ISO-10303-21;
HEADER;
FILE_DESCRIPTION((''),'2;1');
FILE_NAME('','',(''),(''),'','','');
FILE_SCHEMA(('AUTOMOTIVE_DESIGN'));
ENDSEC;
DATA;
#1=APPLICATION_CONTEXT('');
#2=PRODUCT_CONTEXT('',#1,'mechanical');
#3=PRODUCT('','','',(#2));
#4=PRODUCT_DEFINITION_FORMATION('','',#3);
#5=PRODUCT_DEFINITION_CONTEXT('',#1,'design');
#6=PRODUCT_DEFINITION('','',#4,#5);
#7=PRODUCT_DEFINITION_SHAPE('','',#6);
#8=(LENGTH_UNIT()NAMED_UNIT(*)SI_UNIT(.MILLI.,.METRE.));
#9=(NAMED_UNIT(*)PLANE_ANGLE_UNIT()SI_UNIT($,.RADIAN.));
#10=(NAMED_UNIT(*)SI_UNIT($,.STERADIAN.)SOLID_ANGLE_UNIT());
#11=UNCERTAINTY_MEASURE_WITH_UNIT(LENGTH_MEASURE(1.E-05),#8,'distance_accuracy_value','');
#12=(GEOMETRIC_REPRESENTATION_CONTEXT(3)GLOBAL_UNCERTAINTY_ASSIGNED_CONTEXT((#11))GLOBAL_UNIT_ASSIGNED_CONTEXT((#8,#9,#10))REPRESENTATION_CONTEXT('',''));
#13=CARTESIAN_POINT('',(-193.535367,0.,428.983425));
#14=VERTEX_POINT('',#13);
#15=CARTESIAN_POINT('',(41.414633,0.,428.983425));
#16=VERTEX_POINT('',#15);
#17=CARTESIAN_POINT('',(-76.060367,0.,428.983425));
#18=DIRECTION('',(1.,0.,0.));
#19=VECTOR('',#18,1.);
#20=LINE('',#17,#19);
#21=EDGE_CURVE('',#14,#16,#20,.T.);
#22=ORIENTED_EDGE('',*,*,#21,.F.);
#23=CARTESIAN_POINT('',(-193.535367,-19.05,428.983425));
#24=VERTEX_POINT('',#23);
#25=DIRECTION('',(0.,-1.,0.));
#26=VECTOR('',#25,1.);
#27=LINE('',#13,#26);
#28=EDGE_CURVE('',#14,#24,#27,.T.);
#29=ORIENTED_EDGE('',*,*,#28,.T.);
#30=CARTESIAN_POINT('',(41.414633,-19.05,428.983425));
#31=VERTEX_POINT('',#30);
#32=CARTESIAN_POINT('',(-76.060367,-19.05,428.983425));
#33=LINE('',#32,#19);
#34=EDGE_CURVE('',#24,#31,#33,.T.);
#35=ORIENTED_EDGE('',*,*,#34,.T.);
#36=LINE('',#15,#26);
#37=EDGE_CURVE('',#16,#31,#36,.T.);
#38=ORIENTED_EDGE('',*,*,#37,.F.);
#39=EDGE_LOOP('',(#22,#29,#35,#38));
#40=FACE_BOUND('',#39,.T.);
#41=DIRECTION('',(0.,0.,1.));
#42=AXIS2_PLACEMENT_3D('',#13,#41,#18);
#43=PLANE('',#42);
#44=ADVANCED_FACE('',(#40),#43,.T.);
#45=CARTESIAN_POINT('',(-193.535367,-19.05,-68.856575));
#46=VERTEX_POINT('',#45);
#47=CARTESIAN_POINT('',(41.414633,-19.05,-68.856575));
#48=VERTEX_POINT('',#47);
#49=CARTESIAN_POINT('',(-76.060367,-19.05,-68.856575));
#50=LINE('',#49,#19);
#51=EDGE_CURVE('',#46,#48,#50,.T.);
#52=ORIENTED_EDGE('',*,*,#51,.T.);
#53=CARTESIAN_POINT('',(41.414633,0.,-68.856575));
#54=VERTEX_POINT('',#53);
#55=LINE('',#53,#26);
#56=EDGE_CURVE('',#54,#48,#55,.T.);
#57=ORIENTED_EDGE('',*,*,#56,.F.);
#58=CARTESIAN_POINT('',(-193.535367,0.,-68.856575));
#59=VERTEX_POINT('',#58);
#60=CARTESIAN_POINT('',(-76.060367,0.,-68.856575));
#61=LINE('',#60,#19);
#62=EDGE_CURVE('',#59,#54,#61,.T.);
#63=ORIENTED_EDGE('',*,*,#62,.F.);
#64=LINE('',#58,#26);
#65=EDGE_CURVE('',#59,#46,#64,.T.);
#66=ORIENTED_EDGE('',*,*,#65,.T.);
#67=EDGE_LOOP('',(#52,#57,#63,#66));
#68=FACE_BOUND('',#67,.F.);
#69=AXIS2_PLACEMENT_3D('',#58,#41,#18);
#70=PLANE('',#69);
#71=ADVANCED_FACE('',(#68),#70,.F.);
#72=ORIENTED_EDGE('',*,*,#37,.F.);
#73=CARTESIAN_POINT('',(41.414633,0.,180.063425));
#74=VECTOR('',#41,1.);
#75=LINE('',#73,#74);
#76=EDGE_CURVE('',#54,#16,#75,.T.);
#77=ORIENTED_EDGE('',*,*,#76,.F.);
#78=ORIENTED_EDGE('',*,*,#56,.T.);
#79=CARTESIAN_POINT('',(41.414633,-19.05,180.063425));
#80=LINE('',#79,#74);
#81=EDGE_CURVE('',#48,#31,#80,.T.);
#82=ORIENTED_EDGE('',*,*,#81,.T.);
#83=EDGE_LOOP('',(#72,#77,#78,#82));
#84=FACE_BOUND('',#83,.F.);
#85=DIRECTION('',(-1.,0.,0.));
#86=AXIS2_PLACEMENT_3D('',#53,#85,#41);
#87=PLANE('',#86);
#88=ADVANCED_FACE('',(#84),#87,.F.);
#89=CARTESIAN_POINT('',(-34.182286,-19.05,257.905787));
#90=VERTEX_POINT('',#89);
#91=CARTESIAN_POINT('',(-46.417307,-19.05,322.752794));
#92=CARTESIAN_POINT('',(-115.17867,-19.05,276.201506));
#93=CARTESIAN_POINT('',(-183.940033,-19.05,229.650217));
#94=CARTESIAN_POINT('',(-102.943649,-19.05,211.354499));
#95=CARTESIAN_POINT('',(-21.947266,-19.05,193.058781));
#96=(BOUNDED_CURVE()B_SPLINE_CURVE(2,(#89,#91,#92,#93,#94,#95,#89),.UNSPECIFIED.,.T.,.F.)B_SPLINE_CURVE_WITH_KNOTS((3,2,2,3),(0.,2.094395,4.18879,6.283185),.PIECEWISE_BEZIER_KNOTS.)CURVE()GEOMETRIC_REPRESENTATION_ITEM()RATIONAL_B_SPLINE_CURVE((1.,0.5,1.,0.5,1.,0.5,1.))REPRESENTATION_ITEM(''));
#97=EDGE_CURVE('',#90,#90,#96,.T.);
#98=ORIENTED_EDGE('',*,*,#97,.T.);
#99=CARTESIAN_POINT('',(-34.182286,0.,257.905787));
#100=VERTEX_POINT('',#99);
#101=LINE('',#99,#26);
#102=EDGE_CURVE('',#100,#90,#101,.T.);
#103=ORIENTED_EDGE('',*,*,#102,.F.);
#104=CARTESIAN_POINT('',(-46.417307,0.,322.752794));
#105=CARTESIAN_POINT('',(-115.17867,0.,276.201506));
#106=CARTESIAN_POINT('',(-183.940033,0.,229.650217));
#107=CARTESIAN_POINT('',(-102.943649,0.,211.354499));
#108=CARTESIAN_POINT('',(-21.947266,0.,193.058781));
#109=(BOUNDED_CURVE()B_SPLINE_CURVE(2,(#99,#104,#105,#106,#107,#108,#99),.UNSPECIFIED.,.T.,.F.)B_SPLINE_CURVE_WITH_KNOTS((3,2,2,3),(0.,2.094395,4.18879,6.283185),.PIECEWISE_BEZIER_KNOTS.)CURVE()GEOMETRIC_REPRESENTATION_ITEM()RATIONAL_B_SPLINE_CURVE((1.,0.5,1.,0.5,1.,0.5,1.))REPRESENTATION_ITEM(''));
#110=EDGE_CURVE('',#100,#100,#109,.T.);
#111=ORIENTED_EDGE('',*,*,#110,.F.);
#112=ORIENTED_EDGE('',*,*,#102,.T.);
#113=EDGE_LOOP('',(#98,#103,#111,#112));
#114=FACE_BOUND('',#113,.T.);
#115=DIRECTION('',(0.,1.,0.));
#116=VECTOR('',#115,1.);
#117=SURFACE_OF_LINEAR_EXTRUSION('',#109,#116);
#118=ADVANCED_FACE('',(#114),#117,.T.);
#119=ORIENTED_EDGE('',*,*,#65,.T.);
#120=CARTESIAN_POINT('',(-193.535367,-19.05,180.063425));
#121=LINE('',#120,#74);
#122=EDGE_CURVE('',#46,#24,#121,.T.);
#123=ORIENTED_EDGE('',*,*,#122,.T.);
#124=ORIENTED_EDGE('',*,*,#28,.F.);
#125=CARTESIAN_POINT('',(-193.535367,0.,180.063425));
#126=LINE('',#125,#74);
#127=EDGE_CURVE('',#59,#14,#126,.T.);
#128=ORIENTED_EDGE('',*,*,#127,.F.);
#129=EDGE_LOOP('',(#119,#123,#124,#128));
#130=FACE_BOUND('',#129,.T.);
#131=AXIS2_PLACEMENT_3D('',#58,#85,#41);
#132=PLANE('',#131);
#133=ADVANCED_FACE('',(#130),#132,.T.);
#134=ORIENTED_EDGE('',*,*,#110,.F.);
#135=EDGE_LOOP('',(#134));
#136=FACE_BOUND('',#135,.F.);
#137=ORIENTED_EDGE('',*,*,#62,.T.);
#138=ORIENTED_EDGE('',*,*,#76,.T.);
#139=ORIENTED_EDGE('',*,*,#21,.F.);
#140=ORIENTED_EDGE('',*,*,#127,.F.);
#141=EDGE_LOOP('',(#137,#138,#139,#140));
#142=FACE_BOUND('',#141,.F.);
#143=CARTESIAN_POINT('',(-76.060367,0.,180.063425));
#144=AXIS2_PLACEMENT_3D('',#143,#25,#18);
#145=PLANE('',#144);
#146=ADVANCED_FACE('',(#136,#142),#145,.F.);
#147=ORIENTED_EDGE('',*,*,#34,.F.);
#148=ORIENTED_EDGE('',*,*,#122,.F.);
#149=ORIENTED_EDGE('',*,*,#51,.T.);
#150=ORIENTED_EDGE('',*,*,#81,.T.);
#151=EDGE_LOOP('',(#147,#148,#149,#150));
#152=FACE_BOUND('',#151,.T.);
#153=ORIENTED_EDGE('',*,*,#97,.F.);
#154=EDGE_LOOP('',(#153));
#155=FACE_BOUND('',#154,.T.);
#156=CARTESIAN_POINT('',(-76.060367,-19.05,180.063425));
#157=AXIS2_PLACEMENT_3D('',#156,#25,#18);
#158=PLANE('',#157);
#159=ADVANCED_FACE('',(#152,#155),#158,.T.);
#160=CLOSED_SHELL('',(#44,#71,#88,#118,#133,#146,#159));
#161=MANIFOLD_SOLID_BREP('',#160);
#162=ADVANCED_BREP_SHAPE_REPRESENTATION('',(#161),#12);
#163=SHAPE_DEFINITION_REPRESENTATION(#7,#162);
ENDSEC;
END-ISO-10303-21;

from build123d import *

# Parameters (mm, degrees)
F1_W     = 234.95
F1_H     = 497.84
F2_DEPTH = 19.05


with BuildPart() as f2:
    # F1 (on face) → F2 (new body)
    with BuildSketch(Plane.XZ):
        with Locations((-76.060367, 180.063425)):
            Rectangle(F1_W, F1_H)
        with BuildLine():
            add(Edge.make_bspline(
                [(-34.182286, 257.905787), (-46.417307, 322.752794), (-115.17867, 276.201506), (-183.940033, 229.650217), (-102.943649, 211.354499), (-21.947266, 193.058781), (-34.182286, 257.905787)],
                knots=[0, 0, 0, 2.094395, 2.094395, 4.18879, 4.18879, 6.283185, 6.283185, 6.283185], degree=2, weights=[1, 0.5, 1, 0.5, 1, 0.5, 1]))
        make_face(mode=Mode.SUBTRACT)
    extrude(amount=F2_DEPTH)


solid = f2.part
